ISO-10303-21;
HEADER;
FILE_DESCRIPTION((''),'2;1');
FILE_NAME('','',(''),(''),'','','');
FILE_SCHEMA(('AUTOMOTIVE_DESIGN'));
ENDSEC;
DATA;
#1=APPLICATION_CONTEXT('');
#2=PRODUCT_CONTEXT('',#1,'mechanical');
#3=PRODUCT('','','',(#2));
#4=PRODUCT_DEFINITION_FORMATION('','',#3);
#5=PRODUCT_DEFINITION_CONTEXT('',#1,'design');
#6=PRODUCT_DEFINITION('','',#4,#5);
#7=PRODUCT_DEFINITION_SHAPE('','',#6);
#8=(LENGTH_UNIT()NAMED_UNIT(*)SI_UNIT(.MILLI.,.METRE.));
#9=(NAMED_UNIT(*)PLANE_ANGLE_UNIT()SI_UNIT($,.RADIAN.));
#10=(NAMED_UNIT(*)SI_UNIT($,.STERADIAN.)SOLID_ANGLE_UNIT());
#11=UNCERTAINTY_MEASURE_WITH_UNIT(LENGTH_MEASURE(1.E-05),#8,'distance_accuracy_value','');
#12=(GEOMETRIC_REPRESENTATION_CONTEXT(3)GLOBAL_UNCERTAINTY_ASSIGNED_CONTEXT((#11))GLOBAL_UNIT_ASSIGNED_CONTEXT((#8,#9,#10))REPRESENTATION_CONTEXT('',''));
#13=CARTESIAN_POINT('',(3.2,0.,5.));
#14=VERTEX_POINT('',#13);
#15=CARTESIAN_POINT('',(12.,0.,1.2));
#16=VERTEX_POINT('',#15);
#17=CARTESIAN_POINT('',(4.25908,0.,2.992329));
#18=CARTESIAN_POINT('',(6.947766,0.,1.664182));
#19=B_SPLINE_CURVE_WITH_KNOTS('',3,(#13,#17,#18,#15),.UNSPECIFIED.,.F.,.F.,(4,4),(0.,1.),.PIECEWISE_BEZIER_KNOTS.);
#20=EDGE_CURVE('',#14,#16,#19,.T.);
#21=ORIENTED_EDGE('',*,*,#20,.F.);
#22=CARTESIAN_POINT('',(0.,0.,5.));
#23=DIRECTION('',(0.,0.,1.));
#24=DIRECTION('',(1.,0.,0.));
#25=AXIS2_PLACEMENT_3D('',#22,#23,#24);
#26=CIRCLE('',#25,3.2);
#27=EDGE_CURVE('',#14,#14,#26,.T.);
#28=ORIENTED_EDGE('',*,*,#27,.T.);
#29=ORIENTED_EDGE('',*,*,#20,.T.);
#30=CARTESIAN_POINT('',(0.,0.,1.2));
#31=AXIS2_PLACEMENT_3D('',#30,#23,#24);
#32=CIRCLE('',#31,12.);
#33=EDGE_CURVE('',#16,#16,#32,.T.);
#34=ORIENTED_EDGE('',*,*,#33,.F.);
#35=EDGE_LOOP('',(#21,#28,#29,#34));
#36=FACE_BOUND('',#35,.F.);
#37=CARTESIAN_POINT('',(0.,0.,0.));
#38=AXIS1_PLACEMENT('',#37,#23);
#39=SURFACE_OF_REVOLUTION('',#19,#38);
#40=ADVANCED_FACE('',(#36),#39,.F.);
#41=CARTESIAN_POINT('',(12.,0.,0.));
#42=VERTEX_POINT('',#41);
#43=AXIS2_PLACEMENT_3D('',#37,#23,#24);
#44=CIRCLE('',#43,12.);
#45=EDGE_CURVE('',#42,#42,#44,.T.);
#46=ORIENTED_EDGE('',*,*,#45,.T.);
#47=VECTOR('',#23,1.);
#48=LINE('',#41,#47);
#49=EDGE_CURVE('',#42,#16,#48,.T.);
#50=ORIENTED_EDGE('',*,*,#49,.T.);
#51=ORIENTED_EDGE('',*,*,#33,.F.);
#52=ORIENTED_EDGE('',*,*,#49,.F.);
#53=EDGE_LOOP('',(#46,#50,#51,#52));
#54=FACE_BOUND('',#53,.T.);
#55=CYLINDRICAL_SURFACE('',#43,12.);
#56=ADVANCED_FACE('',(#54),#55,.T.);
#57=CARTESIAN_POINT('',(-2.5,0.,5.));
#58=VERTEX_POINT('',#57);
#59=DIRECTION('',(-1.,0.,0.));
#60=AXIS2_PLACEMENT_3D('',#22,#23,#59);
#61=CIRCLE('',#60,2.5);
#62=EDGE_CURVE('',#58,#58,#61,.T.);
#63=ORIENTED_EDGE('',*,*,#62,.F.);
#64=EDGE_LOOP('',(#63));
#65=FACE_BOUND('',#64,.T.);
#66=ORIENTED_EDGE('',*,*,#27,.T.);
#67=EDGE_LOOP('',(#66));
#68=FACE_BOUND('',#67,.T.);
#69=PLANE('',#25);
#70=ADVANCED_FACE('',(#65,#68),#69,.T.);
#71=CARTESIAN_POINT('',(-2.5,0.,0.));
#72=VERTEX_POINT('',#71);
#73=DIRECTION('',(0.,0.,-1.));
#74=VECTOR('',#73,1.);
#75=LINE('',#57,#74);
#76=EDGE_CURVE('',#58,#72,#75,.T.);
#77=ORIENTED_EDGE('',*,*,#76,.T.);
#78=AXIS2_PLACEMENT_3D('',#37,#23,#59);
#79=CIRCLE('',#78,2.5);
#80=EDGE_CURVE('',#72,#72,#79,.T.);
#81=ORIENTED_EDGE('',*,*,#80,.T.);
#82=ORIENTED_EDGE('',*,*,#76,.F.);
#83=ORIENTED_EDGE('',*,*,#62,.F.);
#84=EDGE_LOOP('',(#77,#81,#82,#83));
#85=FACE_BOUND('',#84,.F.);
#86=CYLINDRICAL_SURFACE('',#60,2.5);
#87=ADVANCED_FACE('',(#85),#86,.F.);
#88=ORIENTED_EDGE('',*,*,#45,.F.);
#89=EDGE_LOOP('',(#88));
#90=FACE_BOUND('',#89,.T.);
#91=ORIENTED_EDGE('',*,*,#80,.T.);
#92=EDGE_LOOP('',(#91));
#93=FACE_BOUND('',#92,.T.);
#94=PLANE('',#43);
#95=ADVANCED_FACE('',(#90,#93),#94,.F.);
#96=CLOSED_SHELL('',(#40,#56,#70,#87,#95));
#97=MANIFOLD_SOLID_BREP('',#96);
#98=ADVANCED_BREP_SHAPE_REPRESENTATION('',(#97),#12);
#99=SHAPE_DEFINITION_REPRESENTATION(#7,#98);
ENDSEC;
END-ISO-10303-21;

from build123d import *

# Parameters (mm, degrees)
SKETCH_R     = 2.5
POCKET_DEPTH = 5


with BuildPart() as part:
    # Sketch001 → Revolution (revolve)
    with BuildSketch(Plane.XZ):
        with BuildLine():
            Line((3.2, 5), (0, 5))
            Line((0, 5), (0, 0))
            Line((0, 0), (12, 0))
            Line((12, 0), (12, 1.2))
            add(Edge.make_bspline(
                [(3.2, 5), (4.25908, 2.992329), (6.947766, 1.664182), (12, 1.2)],
                knots=[0, 0, 0, 0, 1, 1, 1, 1], degree=3))
        make_face()
    revolve(axis=Axis((0, 0, 0), (0, 0, 1)))

    # Sketch (on Face1 of Revolution) → Pocket (cut)
    with BuildSketch(Plane(origin=(0, 0, 5), x_dir=(-1, 0, 0), z_dir=(0, 0, 1))):
        Circle(SKETCH_R)
    extrude(amount=-POCKET_DEPTH, mode=Mode.SUBTRACT)


solid = part.part
